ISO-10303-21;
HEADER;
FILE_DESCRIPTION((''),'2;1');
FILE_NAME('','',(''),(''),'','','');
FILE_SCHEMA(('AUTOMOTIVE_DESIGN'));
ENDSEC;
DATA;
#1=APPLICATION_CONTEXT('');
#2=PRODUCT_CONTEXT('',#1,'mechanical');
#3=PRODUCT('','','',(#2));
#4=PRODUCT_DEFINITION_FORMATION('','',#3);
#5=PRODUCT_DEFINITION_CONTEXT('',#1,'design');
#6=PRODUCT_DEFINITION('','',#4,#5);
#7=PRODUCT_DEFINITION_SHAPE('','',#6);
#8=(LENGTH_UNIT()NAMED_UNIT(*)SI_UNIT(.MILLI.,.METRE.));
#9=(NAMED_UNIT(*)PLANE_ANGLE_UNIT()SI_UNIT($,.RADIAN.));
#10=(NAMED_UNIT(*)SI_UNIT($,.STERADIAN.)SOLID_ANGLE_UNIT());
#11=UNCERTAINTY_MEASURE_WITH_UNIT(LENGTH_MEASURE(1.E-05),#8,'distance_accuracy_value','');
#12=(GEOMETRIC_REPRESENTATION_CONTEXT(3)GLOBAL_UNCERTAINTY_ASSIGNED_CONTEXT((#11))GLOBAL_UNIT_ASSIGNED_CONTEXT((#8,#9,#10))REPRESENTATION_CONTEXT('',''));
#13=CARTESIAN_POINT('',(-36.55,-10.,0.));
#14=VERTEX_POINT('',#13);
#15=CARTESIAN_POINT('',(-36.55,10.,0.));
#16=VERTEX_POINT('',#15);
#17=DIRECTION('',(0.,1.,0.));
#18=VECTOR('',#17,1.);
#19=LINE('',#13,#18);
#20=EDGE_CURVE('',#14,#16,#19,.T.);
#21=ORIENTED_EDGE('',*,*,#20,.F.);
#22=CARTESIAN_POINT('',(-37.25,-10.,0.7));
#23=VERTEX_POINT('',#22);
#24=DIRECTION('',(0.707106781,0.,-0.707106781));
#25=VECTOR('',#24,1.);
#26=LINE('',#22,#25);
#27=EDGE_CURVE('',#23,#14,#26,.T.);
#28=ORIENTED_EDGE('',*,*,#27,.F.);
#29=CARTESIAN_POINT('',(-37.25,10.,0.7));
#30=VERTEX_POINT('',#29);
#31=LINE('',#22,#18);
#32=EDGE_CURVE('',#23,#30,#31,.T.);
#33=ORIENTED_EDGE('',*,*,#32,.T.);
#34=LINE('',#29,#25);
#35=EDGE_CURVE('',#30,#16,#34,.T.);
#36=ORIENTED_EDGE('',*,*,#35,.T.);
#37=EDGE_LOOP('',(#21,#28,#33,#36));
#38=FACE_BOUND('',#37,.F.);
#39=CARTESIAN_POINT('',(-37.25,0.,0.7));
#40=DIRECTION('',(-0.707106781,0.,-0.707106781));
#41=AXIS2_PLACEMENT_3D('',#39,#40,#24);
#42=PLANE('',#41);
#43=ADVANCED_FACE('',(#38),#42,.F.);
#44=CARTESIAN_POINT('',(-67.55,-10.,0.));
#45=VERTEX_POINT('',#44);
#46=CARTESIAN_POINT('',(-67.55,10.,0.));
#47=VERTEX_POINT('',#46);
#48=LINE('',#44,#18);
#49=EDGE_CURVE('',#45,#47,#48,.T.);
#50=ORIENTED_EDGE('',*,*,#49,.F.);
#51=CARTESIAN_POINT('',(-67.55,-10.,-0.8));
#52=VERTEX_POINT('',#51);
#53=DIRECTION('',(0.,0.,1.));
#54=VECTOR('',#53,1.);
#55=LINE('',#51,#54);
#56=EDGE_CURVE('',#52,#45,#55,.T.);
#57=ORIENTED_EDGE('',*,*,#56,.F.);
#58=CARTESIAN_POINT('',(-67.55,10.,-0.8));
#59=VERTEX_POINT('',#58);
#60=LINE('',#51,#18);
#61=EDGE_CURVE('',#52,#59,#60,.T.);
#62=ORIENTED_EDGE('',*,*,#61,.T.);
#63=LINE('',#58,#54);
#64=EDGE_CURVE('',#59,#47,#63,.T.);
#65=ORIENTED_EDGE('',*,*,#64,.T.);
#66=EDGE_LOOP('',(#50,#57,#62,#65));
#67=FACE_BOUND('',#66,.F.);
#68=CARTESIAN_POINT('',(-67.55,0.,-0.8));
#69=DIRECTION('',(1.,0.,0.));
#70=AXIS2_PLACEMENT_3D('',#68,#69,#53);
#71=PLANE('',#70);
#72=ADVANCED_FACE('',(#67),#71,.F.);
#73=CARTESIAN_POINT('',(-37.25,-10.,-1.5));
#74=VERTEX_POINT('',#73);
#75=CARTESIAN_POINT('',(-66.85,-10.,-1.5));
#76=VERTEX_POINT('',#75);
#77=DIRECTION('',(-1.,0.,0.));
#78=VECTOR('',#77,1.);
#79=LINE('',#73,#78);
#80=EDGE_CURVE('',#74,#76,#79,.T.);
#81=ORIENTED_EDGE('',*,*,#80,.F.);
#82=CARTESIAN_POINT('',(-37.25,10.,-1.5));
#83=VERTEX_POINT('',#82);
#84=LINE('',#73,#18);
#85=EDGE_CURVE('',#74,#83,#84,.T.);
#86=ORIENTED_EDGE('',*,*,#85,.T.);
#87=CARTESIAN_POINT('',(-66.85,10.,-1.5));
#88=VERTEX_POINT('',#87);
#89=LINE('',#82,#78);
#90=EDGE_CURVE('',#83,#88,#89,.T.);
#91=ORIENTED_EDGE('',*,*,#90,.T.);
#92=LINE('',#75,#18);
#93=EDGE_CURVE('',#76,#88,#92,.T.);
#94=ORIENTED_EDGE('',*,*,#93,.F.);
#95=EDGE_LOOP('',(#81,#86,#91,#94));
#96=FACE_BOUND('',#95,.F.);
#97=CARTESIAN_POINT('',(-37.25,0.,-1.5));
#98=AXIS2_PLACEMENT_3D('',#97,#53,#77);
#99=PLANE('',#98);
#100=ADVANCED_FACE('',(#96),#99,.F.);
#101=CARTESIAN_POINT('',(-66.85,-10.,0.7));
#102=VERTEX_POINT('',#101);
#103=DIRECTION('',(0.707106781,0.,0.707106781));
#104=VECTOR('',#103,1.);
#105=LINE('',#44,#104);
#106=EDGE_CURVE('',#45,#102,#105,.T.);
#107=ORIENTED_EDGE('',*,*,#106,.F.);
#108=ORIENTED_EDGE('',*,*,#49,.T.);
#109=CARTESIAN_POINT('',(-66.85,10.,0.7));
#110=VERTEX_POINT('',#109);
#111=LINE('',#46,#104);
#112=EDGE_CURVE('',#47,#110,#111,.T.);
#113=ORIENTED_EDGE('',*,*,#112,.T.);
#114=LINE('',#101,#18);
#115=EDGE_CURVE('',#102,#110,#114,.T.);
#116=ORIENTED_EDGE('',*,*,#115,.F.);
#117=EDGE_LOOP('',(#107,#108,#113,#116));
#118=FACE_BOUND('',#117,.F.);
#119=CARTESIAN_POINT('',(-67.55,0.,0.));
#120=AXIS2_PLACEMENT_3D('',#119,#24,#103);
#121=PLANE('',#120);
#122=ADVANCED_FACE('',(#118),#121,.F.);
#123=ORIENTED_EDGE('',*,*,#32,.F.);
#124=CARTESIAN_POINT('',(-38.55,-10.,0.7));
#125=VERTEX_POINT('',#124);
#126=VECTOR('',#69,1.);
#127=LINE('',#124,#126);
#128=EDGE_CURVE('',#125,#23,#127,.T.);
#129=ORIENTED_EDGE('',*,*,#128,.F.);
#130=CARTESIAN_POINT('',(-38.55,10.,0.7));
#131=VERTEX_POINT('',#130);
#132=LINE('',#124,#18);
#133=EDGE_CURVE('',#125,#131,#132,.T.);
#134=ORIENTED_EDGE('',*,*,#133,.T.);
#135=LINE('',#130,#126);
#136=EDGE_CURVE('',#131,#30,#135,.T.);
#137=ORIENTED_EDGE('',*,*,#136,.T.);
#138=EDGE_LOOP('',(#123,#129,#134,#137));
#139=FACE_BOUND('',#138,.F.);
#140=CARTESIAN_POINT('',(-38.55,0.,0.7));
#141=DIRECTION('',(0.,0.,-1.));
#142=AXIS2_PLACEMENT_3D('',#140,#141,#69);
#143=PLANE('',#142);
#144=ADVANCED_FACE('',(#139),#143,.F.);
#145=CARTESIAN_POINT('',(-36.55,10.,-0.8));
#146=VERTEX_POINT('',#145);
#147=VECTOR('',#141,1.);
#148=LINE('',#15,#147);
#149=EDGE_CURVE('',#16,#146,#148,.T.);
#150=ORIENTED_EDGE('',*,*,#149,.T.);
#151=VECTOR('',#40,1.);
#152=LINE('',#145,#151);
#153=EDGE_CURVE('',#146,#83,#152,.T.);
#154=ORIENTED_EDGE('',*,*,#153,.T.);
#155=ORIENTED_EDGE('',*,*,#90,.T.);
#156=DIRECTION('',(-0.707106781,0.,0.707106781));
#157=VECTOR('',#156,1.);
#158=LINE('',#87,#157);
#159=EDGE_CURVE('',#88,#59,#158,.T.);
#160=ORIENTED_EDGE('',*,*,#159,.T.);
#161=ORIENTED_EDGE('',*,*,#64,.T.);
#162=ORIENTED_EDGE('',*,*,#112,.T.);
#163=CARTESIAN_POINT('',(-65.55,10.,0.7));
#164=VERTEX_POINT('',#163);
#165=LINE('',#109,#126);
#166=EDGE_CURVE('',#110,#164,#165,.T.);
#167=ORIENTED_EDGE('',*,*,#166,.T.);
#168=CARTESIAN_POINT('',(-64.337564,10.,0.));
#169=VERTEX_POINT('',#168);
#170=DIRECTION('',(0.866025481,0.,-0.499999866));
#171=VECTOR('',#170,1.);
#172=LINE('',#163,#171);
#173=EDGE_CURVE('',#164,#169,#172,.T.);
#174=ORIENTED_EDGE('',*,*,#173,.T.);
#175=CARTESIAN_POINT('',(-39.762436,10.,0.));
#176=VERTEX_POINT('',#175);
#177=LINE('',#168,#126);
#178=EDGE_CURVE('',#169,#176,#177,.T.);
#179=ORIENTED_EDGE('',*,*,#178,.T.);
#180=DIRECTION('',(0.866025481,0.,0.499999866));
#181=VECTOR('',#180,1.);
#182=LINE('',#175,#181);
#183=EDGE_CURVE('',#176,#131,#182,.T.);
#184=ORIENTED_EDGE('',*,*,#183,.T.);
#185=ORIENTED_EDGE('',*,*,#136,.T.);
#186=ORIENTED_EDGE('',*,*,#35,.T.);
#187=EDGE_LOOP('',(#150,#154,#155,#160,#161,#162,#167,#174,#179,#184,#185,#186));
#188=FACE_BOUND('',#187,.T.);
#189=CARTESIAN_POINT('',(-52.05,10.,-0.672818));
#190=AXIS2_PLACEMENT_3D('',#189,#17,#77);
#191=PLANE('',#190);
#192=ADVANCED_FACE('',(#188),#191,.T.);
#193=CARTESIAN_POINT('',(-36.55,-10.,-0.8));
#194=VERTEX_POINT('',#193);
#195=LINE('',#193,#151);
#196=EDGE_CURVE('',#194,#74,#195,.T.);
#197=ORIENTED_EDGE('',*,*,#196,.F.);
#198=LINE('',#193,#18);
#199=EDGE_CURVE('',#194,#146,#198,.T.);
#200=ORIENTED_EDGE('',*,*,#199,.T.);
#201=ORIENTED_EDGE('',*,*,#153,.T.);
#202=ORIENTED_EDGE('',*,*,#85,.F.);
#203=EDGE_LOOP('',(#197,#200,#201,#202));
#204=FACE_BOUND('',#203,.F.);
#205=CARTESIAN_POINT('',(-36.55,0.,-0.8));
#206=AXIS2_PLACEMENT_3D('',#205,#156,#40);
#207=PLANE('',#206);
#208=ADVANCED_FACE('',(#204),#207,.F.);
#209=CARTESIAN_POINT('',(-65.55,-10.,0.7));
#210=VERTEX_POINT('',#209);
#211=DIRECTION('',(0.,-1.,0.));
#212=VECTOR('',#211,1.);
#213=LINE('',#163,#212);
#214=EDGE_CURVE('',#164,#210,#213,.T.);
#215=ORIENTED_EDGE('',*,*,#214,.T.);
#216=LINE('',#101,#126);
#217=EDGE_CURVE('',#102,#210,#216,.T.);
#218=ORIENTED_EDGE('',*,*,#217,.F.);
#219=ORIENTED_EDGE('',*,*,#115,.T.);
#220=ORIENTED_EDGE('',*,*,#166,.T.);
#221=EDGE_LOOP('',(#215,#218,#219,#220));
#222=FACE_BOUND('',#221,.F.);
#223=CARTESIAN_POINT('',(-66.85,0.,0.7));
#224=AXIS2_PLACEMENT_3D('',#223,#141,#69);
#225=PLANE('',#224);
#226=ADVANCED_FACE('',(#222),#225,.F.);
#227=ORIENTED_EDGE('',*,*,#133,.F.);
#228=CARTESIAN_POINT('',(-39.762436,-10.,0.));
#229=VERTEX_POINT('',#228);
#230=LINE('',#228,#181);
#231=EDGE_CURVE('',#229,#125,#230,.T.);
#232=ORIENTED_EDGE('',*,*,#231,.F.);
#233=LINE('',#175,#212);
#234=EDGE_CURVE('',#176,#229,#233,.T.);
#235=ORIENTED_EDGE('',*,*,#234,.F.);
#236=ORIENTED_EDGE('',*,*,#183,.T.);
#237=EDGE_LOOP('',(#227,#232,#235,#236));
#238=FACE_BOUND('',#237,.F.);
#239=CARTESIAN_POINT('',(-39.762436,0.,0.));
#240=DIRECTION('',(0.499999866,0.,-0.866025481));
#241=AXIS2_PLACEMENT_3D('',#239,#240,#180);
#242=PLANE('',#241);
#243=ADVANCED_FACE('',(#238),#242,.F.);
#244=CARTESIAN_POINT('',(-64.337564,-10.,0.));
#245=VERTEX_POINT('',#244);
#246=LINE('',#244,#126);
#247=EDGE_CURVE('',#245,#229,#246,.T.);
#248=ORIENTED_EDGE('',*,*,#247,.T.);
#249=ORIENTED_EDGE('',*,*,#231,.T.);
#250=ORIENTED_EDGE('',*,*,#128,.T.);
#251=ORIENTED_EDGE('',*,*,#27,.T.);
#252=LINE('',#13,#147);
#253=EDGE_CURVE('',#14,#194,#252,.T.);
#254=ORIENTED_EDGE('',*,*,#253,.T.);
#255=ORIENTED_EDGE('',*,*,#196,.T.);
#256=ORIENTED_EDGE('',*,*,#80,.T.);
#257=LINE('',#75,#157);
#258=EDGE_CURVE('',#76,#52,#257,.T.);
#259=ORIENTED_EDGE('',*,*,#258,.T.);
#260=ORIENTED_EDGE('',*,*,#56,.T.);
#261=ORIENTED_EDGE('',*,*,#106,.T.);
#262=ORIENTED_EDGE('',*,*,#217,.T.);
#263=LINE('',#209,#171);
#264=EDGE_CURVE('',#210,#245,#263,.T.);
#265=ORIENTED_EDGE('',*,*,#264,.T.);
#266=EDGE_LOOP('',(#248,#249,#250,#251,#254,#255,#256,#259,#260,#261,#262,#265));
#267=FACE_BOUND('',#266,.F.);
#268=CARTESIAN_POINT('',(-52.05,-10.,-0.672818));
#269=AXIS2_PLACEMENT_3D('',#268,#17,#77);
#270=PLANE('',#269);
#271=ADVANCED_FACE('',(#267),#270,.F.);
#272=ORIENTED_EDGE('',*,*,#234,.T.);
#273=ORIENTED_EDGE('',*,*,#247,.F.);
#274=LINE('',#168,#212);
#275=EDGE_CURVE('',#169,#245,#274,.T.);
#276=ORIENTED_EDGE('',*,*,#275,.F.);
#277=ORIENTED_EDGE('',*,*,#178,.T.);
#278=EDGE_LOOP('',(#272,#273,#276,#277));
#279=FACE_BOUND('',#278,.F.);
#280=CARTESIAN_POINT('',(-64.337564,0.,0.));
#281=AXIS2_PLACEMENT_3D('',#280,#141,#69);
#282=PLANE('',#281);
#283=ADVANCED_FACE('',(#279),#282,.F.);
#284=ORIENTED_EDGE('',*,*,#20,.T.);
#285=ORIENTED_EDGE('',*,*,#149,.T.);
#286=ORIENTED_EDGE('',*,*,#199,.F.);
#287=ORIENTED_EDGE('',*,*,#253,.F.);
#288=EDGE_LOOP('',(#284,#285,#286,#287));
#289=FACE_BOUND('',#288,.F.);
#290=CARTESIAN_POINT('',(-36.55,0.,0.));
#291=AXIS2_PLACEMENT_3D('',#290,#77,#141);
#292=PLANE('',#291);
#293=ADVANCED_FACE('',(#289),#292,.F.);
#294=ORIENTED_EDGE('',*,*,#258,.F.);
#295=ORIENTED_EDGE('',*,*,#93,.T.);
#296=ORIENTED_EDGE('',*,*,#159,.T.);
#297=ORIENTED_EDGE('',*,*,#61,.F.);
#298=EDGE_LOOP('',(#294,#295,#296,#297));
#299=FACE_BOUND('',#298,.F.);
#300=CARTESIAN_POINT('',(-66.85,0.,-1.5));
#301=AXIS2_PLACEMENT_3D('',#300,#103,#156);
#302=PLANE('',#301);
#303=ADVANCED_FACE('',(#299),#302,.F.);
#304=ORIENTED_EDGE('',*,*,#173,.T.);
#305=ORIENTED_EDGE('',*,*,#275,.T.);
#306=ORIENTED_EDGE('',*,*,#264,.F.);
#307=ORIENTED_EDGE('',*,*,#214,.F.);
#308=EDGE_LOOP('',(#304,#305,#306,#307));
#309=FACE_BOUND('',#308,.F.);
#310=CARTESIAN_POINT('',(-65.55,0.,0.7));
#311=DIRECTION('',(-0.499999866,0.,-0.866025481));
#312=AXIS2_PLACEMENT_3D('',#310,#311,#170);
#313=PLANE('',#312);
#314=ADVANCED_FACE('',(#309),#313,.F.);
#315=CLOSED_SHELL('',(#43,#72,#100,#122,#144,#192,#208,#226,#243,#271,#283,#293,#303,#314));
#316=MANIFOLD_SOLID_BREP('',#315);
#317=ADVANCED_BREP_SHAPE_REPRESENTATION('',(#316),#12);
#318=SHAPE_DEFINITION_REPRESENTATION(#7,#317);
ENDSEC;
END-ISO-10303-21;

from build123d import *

# Parameters (mm, degrees)
PAD006_DEPTH = 10


with BuildPart() as part:
    # Sketch019 → Pad006 (new body, symmetric)
    with BuildSketch(Plane.XZ):
        Polygon((-39.762436, 0), (-38.55, 0.7), (-37.25, 0.7), (-36.55, 0), (-36.55, -0.8), (-37.25, -1.5), (-66.85, -1.5), (-67.55, -0.8), (-67.55, 0), (-66.85, 0.7), (-65.55, 0.7), (-64.337564, 0), align=None)
    extrude(amount=PAD006_DEPTH, both=True)


solid = part.part
